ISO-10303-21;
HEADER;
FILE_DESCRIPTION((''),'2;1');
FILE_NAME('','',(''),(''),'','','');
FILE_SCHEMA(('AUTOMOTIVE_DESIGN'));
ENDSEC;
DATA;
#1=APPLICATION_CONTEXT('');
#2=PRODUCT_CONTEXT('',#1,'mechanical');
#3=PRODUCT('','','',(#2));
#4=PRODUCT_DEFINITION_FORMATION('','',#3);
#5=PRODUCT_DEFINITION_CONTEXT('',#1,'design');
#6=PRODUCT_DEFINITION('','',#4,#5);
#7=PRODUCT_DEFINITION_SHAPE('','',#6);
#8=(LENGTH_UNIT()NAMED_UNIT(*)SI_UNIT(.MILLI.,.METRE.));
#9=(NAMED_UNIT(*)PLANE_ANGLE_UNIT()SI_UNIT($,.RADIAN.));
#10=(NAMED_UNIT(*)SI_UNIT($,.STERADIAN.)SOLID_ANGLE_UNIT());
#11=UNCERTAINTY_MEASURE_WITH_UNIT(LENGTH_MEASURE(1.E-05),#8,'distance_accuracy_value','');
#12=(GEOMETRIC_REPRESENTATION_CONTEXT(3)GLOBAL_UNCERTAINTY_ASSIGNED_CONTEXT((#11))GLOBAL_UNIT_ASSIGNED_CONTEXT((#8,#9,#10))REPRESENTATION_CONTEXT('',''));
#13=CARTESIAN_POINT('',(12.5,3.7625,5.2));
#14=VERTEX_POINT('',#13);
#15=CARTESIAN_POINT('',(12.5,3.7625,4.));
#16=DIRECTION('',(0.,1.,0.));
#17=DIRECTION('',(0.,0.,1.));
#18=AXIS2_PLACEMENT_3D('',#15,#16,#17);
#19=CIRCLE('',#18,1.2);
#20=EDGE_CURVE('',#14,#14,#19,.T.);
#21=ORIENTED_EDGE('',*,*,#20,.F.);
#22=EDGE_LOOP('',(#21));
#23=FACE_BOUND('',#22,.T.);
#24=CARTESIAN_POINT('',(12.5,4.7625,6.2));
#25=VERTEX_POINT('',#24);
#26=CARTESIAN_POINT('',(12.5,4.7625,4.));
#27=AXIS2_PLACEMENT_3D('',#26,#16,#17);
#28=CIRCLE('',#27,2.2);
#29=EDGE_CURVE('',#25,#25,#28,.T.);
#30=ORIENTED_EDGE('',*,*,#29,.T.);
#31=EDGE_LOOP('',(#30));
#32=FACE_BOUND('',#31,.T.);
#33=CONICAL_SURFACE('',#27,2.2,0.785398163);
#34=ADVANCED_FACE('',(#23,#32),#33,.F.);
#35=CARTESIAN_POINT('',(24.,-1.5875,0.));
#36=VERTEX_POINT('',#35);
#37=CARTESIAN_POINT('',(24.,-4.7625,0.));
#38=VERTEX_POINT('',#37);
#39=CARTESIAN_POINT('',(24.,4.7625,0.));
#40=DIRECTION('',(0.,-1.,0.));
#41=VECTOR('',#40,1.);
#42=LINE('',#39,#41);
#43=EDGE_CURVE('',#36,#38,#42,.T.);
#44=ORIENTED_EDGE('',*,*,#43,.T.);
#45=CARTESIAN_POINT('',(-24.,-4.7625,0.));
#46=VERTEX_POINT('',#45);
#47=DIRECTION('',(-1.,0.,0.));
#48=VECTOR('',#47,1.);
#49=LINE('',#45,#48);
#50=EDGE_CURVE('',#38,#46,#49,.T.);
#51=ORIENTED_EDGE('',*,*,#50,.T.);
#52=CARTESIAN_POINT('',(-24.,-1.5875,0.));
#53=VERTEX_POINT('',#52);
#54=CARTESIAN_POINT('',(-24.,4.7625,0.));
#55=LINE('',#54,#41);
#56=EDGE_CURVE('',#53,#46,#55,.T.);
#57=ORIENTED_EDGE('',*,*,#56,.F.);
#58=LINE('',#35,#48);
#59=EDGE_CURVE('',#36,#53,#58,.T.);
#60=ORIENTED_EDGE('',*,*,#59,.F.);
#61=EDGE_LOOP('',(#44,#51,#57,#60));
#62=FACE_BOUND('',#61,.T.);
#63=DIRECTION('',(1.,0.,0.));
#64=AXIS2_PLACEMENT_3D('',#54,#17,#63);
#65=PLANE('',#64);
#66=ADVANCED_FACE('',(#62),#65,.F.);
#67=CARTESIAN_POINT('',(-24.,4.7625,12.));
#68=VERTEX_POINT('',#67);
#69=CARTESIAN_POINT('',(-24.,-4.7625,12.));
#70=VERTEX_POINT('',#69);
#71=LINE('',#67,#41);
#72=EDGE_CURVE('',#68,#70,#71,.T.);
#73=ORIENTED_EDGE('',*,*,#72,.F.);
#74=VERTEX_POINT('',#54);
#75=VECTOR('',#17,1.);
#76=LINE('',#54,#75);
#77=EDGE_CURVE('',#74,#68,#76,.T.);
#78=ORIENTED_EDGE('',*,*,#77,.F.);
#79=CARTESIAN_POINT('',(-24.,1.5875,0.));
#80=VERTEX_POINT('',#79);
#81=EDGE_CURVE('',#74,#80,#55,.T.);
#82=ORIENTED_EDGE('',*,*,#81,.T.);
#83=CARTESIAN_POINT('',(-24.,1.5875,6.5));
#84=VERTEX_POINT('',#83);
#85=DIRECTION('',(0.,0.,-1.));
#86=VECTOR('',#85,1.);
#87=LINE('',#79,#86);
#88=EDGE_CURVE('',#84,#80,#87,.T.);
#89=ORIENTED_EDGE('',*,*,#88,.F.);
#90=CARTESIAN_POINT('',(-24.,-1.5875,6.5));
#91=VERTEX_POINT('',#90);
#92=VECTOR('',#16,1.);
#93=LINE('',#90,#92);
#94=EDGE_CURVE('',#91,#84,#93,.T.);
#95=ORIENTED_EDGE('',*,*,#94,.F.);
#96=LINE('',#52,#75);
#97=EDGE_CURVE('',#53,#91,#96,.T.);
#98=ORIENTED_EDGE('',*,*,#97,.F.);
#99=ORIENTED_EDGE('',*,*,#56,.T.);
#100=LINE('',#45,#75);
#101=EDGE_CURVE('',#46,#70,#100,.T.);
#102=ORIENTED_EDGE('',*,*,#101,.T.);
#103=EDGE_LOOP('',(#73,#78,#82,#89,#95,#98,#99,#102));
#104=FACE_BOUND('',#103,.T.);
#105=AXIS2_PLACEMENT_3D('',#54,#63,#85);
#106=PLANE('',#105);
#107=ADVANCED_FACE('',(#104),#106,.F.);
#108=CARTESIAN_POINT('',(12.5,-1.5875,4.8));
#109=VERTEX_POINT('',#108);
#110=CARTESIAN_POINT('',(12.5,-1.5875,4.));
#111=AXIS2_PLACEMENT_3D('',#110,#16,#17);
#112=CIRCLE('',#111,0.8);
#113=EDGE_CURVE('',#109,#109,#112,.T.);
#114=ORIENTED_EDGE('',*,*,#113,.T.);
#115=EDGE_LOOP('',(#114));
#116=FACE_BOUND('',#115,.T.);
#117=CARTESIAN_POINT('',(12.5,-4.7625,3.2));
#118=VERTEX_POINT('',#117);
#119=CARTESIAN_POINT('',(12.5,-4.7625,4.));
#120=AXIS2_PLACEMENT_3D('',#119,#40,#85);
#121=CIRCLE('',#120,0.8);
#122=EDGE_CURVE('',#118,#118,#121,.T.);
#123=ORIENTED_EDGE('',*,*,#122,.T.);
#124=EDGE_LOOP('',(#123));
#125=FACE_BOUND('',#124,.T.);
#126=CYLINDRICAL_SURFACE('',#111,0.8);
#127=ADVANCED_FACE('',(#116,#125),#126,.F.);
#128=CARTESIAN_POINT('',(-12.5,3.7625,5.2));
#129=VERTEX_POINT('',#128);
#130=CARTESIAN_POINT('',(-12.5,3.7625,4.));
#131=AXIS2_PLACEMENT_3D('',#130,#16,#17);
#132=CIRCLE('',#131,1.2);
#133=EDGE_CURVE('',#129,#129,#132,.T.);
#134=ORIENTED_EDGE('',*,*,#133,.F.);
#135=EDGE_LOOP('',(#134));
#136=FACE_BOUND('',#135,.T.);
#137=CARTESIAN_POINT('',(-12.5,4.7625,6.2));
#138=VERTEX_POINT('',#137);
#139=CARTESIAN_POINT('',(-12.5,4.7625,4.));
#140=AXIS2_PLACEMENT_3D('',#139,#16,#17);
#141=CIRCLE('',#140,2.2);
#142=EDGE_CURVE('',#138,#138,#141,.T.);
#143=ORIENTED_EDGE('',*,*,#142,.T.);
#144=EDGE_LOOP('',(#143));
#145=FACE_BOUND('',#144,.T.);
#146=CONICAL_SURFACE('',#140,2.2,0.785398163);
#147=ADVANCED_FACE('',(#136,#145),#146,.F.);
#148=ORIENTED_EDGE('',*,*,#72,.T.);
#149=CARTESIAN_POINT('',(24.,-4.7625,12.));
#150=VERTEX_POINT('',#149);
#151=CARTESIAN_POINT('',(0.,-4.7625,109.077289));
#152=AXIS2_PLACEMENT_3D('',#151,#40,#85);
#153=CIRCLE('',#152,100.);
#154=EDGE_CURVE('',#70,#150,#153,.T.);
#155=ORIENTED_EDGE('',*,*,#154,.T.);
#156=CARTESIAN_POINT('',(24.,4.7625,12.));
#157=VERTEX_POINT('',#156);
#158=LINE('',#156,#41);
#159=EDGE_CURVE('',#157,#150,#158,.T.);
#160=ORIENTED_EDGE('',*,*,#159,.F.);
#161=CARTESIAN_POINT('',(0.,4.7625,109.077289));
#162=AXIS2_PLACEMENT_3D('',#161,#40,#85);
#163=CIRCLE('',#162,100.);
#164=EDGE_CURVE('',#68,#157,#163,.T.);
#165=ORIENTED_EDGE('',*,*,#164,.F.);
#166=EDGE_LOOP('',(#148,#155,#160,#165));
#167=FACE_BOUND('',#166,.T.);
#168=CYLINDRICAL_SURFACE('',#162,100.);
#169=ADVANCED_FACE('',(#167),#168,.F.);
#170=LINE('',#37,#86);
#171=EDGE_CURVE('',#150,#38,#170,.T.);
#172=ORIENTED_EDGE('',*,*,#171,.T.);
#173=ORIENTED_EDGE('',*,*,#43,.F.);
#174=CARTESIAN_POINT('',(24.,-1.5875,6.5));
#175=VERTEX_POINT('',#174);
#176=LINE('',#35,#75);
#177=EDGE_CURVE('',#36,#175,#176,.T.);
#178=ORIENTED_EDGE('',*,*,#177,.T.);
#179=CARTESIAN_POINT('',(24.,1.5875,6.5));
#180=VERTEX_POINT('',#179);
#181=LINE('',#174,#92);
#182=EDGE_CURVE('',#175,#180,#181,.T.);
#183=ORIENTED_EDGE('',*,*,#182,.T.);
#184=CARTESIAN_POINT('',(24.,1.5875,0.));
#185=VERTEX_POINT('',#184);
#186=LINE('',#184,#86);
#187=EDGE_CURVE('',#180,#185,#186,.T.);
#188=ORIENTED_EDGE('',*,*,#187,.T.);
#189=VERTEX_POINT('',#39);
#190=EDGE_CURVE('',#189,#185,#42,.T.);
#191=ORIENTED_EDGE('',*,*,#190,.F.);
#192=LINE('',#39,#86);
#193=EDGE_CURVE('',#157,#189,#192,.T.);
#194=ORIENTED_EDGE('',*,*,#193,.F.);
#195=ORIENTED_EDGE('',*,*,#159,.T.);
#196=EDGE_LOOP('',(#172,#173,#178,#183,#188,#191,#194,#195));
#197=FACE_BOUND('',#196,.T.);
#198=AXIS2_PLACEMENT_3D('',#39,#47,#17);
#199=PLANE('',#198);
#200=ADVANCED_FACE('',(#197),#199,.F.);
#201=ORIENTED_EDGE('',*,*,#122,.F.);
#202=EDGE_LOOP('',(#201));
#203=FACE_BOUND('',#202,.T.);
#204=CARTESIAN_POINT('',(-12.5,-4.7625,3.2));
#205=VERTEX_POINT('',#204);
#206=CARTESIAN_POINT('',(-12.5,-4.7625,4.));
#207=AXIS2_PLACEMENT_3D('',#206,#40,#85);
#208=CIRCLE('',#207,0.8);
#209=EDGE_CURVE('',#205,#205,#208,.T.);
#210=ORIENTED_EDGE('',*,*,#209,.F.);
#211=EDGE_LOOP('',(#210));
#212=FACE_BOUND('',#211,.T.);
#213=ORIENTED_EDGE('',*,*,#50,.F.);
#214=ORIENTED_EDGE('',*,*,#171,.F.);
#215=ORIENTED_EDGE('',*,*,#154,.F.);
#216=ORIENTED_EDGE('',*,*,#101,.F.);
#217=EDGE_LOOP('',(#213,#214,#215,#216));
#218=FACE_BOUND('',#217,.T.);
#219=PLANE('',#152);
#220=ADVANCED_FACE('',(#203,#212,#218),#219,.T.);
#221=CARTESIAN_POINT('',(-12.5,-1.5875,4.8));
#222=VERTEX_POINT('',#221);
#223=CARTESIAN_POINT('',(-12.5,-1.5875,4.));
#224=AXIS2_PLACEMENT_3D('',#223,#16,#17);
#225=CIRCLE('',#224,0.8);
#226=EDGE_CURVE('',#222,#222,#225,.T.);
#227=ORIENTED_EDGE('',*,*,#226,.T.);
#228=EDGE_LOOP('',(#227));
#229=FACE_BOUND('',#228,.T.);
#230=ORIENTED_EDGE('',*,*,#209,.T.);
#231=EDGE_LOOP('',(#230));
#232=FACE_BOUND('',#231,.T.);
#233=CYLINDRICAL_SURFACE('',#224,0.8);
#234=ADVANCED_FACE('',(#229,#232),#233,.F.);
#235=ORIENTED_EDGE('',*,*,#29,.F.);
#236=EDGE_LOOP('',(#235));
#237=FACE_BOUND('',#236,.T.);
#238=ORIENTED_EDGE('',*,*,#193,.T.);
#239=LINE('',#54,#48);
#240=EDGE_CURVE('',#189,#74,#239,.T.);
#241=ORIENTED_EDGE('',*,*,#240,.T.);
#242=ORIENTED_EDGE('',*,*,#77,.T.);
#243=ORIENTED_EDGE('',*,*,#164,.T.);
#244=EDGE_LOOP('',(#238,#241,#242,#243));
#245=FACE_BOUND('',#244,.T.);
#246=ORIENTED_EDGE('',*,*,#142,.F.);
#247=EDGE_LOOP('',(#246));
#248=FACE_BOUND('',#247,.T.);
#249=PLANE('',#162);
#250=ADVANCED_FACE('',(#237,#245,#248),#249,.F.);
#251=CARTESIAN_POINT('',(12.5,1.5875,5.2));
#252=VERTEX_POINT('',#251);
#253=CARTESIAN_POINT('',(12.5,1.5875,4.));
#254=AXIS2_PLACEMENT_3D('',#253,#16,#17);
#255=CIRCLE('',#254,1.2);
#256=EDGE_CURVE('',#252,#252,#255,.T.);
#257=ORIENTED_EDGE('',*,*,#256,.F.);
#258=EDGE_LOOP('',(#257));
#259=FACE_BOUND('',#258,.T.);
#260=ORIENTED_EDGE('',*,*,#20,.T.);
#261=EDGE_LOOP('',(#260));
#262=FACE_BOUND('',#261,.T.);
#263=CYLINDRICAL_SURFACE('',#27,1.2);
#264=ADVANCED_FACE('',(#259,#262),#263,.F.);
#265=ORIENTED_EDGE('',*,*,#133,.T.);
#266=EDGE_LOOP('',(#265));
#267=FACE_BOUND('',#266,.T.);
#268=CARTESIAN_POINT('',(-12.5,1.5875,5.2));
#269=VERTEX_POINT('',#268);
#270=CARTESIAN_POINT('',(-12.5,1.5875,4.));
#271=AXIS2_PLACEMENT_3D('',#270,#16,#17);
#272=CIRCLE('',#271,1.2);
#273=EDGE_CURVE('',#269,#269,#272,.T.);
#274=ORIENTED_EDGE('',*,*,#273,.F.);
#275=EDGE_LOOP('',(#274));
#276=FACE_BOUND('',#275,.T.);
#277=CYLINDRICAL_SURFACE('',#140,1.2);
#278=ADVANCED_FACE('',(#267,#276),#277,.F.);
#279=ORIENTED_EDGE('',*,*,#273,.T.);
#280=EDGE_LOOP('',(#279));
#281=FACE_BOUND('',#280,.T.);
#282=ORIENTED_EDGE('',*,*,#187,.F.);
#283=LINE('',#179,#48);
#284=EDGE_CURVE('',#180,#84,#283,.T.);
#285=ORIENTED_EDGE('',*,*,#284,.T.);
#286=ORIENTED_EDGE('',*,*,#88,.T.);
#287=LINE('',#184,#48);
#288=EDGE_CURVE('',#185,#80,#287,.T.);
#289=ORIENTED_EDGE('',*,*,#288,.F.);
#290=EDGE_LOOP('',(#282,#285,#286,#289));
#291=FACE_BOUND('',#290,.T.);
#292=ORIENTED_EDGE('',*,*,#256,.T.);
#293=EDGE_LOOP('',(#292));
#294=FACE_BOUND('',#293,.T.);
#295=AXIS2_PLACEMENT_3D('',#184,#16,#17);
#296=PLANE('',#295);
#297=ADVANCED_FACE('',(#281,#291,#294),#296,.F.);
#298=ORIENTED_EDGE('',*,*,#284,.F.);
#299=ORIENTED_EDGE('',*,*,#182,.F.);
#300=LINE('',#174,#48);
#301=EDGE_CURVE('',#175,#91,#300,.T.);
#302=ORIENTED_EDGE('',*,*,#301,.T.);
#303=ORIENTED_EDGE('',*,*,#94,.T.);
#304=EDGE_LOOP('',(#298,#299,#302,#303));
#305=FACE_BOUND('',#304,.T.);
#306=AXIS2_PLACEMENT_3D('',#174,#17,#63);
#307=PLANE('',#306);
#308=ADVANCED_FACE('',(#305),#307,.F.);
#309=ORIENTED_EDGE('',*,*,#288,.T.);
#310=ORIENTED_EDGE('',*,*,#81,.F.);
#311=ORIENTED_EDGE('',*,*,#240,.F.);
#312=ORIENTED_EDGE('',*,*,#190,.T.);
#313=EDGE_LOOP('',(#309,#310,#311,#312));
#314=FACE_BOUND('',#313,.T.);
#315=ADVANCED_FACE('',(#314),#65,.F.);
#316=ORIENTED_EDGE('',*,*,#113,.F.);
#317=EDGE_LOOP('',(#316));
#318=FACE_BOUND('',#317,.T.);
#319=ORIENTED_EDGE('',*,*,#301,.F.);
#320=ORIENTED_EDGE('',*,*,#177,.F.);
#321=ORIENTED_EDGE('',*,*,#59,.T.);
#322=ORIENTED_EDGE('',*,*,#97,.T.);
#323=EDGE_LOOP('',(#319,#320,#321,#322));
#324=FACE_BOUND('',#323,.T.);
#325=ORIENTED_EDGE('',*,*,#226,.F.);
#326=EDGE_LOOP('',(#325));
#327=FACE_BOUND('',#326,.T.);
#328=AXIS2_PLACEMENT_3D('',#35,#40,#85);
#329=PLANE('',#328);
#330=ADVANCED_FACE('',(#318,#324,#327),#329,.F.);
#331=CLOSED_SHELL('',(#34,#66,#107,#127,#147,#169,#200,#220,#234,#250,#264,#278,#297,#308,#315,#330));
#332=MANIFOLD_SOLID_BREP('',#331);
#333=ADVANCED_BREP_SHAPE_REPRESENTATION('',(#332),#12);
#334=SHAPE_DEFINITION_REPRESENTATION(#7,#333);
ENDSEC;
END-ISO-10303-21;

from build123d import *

# Parameters (mm, degrees)
BOSS_EXTRUDE1_DEPTH                             = 4.7625
SKETCH9_W                                       = 6.5
SKETCH9_H                                       = 3.175
CUT_EXTRUDE2_DEPTH                              = 50.705949405
CSK_FOR_M2_FLAT_HEAD_MACHINE_SCREW1_D           = 2.4
CSK_FOR_M2_FLAT_HEAD_MACHINE_SCREW1_DEPTH       = 3.175
CSK_FOR_M2_FLAT_HEAD_MACHINE_SCREW1_CSINK_D     = 4.4
CSK_FOR_M2_FLAT_HEAD_MACHINE_SCREW1_CSINK_ANGLE = 90
M2X0_4_TAPPED_HOLE1_D                           = 1.6


with BuildPart() as part:
    # Sketch1 → Boss-Extrude1 (new, symmetric)
    with BuildSketch(Plane(origin=(0, 0, 0), x_dir=(1, 0, 0), z_dir=(0, 1, 0))):
        with BuildLine():
            Line((-24, 0), (24, 0))
            Line((24, 0), (24, -12))
            ThreePointArc((24, -12), (0, -9.077288796), (-24, -12))
            Line((-24, -12), (-24, 0))
        make_face()
    extrude(amount=BOSS_EXTRUDE1_DEPTH, both=True)

    # Sketch9 → Cut-Extrude2 (cut, through all)
    with BuildSketch(Plane.ZY.offset(24)):
        with Locations((3.25, 0)):
            Rectangle(SKETCH9_W, SKETCH9_H)
    extrude(amount=-CUT_EXTRUDE2_DEPTH, mode=Mode.SUBTRACT)

    # CSK for M2 Flat Head Machine Screw1
    with Locations(Plane(origin=(0, 4.7625, 0), x_dir=(1, 0, 0), z_dir=(0, 1, 0))):
        with Locations((-12.5, -4), (12.5, -4)):
            CounterSinkHole(CSK_FOR_M2_FLAT_HEAD_MACHINE_SCREW1_D / 2, CSK_FOR_M2_FLAT_HEAD_MACHINE_SCREW1_CSINK_D / 2, depth=CSK_FOR_M2_FLAT_HEAD_MACHINE_SCREW1_DEPTH, counter_sink_angle=CSK_FOR_M2_FLAT_HEAD_MACHINE_SCREW1_CSINK_ANGLE)

    # M2x0.4 Tapped Hole1 (through all)
    with Locations(Plane(origin=(0, -1.5875, 0), x_dir=(1, 0, 0), z_dir=(0, 1, 0))):
        with Locations((-12.5, -4), (12.5, -4)):
            Hole(M2X0_4_TAPPED_HOLE1_D / 2)


solid = part.part
